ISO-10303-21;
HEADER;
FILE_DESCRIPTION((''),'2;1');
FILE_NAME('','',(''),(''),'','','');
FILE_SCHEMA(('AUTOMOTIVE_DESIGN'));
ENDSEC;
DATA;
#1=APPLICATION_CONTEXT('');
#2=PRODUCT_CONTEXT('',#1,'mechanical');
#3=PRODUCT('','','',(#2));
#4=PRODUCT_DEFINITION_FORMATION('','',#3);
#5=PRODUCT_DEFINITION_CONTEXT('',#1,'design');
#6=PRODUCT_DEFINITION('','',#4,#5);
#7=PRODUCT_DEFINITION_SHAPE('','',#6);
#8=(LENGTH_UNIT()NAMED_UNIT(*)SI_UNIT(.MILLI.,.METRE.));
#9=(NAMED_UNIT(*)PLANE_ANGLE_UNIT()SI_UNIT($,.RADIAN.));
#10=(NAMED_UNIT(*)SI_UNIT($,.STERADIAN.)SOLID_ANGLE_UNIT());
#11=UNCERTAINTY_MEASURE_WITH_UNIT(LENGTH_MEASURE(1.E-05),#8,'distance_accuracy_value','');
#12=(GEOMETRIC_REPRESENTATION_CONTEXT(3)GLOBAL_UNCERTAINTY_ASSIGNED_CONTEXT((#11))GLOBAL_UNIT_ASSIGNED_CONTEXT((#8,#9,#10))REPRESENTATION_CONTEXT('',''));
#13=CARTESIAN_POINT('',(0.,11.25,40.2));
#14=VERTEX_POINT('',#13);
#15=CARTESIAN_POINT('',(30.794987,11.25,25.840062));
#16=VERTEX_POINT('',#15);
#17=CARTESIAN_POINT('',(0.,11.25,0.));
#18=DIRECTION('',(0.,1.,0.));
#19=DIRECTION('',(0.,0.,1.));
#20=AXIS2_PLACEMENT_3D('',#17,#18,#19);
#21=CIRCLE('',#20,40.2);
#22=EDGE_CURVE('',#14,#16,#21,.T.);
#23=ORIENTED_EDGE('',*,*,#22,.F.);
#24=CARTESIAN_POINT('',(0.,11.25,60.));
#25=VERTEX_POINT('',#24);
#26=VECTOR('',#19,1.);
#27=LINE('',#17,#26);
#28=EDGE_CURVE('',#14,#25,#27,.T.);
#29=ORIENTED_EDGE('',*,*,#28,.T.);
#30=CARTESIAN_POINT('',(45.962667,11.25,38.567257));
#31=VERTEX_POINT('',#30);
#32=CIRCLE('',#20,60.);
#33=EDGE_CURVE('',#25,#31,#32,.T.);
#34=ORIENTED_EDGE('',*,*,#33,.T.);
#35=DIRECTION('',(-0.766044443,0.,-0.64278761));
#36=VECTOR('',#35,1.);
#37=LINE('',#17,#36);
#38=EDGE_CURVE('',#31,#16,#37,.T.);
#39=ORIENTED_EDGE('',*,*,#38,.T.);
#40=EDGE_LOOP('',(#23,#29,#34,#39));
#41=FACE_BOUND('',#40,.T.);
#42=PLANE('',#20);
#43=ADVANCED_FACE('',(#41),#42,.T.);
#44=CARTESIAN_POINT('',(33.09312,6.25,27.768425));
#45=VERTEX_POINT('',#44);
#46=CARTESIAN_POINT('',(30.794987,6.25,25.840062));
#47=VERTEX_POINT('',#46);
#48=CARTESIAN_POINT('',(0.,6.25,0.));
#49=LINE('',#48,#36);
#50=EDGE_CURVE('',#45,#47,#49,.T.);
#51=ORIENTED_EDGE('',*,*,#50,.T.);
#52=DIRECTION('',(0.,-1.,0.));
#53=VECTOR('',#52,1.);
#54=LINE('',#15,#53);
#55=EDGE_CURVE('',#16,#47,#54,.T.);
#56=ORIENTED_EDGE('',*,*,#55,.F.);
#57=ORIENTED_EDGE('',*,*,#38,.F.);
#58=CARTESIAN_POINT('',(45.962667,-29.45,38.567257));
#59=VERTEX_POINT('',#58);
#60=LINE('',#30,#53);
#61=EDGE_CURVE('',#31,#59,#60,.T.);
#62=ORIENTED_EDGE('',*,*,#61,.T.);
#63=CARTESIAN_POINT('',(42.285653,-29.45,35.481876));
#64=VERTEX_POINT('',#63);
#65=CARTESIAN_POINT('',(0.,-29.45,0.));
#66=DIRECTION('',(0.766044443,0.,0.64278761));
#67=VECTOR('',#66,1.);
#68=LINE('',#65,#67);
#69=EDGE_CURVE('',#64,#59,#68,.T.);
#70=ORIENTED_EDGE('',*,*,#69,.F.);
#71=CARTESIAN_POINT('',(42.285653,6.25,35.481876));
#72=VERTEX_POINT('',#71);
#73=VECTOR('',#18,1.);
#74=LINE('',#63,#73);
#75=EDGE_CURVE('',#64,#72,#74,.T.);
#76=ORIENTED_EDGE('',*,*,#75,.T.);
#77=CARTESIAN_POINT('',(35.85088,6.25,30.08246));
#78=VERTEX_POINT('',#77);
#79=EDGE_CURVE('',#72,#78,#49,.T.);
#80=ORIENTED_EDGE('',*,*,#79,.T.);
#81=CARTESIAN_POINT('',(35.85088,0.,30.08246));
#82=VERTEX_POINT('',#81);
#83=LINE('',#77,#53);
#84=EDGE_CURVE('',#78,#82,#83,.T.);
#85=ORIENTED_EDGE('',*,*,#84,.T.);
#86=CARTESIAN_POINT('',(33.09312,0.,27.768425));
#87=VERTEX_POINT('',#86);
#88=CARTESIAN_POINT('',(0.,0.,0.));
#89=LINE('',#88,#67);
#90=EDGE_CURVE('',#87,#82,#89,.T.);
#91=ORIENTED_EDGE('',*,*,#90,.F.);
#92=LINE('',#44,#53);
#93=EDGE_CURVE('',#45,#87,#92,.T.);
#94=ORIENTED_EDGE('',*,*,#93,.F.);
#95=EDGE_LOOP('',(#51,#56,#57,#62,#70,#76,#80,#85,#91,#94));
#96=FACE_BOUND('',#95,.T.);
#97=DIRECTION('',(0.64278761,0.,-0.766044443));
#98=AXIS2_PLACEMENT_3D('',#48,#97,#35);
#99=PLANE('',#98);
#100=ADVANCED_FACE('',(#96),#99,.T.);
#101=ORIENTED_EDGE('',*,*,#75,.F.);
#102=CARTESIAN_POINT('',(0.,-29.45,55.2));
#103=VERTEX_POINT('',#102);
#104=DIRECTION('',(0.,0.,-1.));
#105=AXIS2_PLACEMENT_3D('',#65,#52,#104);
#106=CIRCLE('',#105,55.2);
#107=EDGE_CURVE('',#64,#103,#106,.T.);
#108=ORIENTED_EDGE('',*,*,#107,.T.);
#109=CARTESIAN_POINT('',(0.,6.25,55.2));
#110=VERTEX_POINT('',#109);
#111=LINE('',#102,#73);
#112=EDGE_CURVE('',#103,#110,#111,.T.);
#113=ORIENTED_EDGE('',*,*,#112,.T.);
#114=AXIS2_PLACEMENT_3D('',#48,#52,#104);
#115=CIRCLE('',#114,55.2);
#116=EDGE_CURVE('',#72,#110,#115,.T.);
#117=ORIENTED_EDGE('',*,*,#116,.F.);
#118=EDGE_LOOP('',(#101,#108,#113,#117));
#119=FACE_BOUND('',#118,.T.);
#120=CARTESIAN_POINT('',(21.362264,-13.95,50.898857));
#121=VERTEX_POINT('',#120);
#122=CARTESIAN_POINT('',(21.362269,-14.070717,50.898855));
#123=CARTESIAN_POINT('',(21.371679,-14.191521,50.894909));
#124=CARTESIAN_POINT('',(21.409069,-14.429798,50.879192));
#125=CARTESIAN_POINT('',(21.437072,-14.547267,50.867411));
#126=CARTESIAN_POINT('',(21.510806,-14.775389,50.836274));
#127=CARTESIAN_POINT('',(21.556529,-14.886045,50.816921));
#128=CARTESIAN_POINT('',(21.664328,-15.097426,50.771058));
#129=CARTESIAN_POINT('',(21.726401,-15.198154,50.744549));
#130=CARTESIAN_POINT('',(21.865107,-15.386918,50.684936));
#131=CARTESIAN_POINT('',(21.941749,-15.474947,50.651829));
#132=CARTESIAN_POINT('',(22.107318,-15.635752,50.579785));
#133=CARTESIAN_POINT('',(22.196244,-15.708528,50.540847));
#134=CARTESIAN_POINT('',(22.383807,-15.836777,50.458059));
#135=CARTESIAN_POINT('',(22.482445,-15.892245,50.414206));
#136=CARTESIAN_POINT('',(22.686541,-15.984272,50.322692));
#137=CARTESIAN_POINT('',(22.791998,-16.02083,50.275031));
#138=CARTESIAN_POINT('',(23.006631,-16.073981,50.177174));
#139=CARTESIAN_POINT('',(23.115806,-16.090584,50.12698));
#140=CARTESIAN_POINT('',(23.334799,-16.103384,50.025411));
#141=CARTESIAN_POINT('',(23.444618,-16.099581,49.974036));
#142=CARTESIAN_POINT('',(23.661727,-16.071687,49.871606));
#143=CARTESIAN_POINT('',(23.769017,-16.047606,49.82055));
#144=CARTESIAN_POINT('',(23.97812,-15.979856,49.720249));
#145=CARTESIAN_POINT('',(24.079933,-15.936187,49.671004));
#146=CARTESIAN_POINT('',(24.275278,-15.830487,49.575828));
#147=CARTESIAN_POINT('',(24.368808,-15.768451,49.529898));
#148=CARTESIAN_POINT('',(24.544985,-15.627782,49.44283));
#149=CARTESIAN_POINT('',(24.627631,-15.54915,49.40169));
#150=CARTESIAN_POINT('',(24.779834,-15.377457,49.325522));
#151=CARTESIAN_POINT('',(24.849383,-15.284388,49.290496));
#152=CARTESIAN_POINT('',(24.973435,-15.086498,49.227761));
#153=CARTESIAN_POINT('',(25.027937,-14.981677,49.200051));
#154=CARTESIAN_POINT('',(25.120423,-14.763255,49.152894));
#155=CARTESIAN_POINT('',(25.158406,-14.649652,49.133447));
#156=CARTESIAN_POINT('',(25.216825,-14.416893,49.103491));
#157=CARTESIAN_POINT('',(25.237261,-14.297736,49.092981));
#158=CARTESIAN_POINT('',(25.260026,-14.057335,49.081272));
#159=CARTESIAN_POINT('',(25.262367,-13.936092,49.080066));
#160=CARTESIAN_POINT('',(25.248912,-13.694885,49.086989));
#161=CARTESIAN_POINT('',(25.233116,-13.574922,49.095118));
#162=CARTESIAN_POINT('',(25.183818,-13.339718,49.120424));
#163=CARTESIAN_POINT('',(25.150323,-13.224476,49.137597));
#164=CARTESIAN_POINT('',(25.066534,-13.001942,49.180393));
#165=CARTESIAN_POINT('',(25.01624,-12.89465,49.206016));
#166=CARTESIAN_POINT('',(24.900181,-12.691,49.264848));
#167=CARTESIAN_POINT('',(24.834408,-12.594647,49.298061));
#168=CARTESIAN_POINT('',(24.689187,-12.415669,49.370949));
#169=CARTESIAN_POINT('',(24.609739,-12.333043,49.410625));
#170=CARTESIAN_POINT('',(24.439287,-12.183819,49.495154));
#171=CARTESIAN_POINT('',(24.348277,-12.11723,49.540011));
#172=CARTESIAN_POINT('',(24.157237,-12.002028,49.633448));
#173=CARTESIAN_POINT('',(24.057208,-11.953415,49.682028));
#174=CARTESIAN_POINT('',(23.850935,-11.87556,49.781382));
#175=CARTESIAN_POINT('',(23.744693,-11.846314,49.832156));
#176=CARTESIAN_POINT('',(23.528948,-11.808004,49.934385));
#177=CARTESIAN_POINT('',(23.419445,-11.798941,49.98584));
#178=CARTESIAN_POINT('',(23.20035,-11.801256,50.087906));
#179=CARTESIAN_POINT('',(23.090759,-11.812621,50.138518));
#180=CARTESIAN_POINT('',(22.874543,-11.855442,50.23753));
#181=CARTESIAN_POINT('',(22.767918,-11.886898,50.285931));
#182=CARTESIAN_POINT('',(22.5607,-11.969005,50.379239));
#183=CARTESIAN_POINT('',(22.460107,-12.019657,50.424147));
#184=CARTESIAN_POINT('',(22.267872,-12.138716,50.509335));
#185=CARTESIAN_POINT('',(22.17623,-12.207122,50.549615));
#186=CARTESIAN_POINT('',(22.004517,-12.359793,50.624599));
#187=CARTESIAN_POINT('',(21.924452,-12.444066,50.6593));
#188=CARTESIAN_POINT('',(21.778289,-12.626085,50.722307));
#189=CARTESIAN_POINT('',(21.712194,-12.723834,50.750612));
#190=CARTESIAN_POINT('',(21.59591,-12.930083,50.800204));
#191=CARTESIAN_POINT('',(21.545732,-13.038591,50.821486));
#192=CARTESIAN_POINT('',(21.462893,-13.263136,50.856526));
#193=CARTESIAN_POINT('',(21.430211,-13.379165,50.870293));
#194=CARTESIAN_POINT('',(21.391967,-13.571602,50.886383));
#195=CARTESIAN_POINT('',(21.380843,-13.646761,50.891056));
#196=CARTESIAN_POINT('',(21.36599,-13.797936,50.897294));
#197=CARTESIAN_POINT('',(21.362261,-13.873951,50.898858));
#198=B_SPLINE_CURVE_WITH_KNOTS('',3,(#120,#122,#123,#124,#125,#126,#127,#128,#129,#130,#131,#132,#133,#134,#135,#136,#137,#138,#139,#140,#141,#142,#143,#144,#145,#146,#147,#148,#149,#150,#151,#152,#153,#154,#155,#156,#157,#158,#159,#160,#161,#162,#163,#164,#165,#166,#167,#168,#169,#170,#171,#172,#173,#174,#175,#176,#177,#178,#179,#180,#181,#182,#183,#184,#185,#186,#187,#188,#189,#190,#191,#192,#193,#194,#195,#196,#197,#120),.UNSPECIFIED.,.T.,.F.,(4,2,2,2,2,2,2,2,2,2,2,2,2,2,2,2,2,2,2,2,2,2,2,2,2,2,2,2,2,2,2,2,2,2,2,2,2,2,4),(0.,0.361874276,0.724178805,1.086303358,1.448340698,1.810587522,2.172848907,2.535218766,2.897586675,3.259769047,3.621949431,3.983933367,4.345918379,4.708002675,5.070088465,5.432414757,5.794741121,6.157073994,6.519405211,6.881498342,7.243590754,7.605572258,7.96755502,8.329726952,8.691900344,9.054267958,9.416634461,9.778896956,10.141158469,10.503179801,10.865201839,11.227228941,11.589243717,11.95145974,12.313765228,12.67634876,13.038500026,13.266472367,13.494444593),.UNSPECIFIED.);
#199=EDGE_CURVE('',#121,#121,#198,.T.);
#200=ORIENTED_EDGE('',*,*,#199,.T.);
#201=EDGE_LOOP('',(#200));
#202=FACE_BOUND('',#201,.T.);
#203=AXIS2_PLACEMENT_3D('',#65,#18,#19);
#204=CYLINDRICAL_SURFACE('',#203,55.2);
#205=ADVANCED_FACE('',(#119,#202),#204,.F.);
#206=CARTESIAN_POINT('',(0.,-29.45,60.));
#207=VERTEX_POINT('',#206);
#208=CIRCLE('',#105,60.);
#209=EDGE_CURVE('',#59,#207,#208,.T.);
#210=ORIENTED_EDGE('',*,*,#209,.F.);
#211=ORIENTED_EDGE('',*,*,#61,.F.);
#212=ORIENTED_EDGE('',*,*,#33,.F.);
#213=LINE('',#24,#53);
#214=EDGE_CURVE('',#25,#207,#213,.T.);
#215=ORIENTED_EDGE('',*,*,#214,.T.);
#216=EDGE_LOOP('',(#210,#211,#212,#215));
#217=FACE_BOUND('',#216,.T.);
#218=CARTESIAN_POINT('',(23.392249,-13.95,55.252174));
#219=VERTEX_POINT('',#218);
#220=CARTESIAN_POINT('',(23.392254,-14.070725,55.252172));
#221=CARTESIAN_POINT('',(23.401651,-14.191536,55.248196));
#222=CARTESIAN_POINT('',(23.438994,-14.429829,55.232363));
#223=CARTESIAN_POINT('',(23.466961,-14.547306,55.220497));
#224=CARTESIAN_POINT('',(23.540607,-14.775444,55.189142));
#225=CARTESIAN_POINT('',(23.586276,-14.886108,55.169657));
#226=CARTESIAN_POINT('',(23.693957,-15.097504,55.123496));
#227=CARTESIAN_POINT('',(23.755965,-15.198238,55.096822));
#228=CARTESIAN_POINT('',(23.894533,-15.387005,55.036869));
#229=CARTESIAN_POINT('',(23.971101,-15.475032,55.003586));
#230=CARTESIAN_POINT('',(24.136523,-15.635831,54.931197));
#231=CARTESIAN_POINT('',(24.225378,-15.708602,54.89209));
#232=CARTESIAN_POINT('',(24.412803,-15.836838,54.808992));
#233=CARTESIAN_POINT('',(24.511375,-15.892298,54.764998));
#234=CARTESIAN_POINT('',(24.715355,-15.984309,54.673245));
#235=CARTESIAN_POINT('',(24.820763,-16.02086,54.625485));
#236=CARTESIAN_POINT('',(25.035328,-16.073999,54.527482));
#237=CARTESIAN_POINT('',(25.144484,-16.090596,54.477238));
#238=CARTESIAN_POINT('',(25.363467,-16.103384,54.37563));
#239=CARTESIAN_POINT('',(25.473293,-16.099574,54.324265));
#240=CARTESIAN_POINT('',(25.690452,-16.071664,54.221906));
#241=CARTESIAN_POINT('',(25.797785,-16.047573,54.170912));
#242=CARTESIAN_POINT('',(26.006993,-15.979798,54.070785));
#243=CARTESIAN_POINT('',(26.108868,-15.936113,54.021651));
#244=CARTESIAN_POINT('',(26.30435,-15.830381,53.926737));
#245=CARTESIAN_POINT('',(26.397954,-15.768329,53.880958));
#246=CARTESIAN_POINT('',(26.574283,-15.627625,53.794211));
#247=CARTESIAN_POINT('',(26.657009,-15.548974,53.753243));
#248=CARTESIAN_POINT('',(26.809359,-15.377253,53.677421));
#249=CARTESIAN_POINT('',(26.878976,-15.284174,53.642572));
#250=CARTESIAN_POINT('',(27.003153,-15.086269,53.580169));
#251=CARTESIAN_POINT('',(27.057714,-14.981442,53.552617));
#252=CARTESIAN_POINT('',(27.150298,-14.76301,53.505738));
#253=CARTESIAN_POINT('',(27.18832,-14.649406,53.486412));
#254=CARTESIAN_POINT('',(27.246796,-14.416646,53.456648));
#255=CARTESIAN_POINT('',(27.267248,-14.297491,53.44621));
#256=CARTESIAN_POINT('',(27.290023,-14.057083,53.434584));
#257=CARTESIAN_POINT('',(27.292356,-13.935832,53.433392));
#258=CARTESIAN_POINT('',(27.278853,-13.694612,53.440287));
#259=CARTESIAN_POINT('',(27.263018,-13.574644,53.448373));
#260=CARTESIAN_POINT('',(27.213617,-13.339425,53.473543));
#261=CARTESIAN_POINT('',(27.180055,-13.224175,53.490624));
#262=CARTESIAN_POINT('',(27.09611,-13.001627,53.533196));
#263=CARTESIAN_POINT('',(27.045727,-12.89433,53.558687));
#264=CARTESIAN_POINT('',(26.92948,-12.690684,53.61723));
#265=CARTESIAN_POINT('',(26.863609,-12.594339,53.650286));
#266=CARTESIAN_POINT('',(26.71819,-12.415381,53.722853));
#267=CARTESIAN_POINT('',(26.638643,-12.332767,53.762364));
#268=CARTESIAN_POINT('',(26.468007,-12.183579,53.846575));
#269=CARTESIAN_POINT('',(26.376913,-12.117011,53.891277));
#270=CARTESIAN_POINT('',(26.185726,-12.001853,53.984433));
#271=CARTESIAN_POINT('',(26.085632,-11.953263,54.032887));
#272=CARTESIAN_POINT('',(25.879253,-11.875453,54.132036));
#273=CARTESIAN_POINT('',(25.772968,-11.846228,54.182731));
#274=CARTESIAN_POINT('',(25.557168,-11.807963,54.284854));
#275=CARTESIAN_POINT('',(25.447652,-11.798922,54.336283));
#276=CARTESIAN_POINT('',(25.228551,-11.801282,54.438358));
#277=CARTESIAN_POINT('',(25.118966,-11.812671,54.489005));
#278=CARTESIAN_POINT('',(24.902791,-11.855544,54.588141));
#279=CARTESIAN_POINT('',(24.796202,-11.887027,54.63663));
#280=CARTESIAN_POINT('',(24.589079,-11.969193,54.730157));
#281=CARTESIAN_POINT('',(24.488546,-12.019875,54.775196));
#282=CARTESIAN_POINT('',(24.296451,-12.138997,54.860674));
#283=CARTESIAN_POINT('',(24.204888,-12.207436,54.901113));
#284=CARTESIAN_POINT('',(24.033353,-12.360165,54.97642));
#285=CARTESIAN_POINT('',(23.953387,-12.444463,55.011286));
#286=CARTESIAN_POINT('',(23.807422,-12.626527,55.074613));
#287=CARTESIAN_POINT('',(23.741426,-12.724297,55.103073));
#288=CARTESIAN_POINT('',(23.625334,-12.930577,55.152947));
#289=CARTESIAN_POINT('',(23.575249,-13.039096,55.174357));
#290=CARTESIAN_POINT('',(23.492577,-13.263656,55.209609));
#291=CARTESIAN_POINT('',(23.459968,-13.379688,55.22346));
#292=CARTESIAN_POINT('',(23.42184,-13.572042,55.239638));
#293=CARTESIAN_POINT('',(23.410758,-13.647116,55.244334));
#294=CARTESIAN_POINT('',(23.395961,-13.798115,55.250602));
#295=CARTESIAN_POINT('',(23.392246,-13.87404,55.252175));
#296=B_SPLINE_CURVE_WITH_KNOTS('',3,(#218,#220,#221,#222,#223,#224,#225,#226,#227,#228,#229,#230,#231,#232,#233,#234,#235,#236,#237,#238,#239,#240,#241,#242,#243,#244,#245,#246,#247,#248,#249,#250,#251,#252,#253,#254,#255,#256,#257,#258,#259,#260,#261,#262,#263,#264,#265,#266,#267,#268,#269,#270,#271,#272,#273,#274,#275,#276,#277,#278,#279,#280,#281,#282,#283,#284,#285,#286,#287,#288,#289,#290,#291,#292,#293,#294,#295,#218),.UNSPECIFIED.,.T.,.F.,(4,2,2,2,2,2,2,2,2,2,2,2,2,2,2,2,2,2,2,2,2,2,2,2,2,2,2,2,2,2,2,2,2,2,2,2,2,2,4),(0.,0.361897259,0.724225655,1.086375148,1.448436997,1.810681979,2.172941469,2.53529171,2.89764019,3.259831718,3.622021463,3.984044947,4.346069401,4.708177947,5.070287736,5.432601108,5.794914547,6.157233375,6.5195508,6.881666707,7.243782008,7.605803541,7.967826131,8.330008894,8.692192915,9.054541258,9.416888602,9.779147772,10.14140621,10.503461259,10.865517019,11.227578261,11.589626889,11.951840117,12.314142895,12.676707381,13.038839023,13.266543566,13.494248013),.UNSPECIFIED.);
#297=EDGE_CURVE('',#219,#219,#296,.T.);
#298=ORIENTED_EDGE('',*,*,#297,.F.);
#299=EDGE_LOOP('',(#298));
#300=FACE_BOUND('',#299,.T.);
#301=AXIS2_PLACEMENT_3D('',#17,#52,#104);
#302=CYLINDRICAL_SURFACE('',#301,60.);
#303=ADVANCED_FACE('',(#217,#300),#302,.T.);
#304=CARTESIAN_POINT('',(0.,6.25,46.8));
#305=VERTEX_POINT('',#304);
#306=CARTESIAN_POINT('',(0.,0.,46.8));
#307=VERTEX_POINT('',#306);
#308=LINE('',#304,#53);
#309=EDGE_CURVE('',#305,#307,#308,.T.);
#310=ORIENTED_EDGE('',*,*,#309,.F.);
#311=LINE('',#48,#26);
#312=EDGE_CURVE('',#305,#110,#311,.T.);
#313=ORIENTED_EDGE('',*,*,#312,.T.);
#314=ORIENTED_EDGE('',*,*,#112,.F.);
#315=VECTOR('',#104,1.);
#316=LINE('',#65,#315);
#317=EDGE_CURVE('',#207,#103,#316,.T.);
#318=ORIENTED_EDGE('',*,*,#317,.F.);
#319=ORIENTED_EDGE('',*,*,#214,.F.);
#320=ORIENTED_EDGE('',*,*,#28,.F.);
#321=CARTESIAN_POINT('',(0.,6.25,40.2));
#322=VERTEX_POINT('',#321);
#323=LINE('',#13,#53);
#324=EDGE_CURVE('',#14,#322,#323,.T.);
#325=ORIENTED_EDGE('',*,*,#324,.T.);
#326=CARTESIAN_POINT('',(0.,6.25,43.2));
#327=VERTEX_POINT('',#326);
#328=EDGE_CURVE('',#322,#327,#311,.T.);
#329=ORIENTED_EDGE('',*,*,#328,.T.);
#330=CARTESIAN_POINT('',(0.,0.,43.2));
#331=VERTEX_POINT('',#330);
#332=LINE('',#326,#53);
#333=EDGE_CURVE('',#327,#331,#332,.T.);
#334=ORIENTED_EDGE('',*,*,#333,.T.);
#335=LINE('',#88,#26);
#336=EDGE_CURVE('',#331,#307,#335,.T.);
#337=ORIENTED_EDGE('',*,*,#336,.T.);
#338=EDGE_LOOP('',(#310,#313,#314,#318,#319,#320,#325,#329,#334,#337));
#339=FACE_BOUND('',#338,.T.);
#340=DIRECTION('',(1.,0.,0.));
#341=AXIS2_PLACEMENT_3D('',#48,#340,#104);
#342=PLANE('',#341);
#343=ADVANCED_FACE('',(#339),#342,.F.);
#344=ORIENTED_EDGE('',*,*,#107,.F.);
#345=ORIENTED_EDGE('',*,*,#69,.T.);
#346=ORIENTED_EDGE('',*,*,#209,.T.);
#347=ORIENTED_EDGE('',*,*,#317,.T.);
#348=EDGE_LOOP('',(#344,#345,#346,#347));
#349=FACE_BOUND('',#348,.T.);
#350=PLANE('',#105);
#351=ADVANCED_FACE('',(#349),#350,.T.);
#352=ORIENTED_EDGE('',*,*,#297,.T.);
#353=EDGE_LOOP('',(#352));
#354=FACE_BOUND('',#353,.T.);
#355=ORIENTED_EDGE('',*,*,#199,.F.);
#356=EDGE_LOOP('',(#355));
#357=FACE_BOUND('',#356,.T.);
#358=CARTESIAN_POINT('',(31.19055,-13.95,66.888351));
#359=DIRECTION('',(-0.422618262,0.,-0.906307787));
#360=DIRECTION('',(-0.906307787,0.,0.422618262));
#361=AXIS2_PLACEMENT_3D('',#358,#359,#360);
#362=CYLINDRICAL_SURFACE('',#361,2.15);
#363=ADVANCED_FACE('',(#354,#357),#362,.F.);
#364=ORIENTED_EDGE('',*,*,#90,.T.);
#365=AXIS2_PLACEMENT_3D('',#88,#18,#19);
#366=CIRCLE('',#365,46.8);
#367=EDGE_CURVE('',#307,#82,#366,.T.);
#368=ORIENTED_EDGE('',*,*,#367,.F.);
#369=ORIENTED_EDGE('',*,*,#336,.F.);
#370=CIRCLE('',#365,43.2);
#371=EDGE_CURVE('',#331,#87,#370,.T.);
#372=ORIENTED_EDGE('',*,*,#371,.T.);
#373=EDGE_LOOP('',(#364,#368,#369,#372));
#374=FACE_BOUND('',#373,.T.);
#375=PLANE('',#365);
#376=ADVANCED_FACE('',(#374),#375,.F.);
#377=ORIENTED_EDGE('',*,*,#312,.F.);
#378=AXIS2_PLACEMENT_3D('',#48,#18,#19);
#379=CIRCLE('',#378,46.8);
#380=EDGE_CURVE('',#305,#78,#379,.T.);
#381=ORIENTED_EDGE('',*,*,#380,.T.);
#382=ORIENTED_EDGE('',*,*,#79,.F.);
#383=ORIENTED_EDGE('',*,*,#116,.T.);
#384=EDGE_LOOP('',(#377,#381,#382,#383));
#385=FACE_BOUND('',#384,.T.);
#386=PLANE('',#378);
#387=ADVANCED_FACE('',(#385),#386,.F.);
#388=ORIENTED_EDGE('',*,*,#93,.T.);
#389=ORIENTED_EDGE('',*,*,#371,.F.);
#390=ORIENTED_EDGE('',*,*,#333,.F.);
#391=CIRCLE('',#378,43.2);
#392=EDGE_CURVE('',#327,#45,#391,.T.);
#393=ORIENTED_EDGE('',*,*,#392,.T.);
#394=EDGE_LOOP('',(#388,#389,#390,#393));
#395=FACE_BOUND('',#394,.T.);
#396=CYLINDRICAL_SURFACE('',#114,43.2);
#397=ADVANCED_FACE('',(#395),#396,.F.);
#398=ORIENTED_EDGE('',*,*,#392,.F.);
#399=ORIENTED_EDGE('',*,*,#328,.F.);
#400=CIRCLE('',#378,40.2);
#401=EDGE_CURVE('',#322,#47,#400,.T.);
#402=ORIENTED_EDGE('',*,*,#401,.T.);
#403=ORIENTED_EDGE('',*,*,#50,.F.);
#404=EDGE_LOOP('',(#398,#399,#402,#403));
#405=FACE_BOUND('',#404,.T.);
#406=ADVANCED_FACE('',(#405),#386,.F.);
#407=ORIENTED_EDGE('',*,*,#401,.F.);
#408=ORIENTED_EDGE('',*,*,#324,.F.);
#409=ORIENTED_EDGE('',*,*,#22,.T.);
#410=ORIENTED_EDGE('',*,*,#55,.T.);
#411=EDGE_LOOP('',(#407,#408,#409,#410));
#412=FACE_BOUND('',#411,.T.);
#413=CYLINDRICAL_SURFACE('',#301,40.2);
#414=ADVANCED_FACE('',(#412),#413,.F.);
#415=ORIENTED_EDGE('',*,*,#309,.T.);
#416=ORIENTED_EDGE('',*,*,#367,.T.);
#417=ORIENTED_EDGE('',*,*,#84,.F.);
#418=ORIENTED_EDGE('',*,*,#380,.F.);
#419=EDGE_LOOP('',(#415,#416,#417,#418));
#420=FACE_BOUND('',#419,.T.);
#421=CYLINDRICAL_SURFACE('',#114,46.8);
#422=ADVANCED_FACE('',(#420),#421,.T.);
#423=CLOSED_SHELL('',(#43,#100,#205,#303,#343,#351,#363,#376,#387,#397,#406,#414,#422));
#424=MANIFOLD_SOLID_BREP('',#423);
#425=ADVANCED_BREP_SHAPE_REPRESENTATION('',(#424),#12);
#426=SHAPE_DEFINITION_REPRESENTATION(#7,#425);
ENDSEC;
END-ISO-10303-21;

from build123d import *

# Parameters (mm, degrees)
BOSS_EXTRUDE1_DEPTH   = 6.25
BOSS_EXTRUDE2_DEPTH   = 5
BOSS_EXTRUDE3_START   = 35.7
BOSS_EXTRUDE3_DEPTH   = 35.7
SKETCH4_R             = 2.15
M4_THROUGH_HOLE_DEPTH = 51.293648181


with BuildPart() as part:
    # Sketch1 → Boss-Extrude1 (new body)
    with BuildSketch(Plane(origin=(0, 0, 0), x_dir=(1, 0, 0), z_dir=(0, 1, 0))):
        with BuildLine():
            ThreePointArc((33.093119943, -27.768424738), (18.257108907, -39.1524964), (0, -43.2))
            Line((0, -43.2), (0, -46.8))
            ThreePointArc((0, -46.8), (19.778534649, -42.415204433), (35.850879938, -30.082460133))
            Line((35.850879938, -30.082460133), (33.093119943, -27.768424738))
        make_face()
    extrude(amount=BOSS_EXTRUDE1_DEPTH)

    # Sketch2 → Boss-Extrude2 (add)
    with BuildSketch(Plane(origin=(0, 6.25, 0), x_dir=(1, 0, 0), z_dir=(0, 1, 0))):
        with BuildLine():
            ThreePointArc((35.850879938, -30.082460133), (19.778534649, -42.415204433), (0, -46.8))
            Line((0, -46.8), (0, -60))
            ThreePointArc((0, -60), (25.357095704, -54.378467222), (45.962666587, -38.567256581))
            Line((45.962666587, -38.567256581), (35.850879938, -30.082460133))
        make_face()
        with BuildLine():
            Line((35.850879938, -30.082460133), (33.093119943, -27.768424738))
            ThreePointArc((33.093119943, -27.768424738), (18.257108907, -39.1524964), (0, -43.2))
            Line((0, -43.2), (0, -46.8))
            ThreePointArc((0, -46.8), (19.778534649, -42.415204433), (35.850879938, -30.082460133))
        make_face()
        with BuildLine():
            ThreePointArc((30.794986613, -25.840061909), (16.989254122, -36.433573039), (0, -40.2))
            Line((0, -40.2), (0, -43.2))
            ThreePointArc((0, -43.2), (18.257108907, -39.1524964), (33.093119943, -27.768424738))
            Line((33.093119943, -27.768424738), (30.794986613, -25.840061909))
        make_face()
    extrude(amount=BOSS_EXTRUDE2_DEPTH)

    # Sketch3 → Boss-Extrude3 (add)
    with BuildSketch(Plane(origin=(0, 6.25, 0), x_dir=(-1, 0, 0), z_dir=(0, -1, 0)).offset(BOSS_EXTRUDE3_START)):
        with BuildLine():
            ThreePointArc((0, -55.2), (-23.328528048, -50.028189844), (-42.28565326, -35.481876055))
            Line((-42.28565326, -35.481876055), (-45.962666587, -38.567256581))
            ThreePointArc((-45.962666587, -38.567256581), (-25.357095704, -54.378467222), (0, -60))
            Line((0, -60), (0, -55.2))
        make_face()
    extrude(amount=-BOSS_EXTRUDE3_DEPTH)

    # Sketch4 → M4-through hole (cut, through all)
    with BuildSketch(Plane(origin=(15.397493307, 0, 33.020030955), x_dir=(0.9063077870366493, 0, -0.42261826174070105), z_dir=(0.42261826174070105, 0, 0.9063077870366493))):
        with Locations(Location((0, -13.95, 0), (0, 0, 180))):
            Circle(SKETCH4_R)
    extrude(amount=M4_THROUGH_HOLE_DEPTH, mode=Mode.SUBTRACT)


solid = part.part
